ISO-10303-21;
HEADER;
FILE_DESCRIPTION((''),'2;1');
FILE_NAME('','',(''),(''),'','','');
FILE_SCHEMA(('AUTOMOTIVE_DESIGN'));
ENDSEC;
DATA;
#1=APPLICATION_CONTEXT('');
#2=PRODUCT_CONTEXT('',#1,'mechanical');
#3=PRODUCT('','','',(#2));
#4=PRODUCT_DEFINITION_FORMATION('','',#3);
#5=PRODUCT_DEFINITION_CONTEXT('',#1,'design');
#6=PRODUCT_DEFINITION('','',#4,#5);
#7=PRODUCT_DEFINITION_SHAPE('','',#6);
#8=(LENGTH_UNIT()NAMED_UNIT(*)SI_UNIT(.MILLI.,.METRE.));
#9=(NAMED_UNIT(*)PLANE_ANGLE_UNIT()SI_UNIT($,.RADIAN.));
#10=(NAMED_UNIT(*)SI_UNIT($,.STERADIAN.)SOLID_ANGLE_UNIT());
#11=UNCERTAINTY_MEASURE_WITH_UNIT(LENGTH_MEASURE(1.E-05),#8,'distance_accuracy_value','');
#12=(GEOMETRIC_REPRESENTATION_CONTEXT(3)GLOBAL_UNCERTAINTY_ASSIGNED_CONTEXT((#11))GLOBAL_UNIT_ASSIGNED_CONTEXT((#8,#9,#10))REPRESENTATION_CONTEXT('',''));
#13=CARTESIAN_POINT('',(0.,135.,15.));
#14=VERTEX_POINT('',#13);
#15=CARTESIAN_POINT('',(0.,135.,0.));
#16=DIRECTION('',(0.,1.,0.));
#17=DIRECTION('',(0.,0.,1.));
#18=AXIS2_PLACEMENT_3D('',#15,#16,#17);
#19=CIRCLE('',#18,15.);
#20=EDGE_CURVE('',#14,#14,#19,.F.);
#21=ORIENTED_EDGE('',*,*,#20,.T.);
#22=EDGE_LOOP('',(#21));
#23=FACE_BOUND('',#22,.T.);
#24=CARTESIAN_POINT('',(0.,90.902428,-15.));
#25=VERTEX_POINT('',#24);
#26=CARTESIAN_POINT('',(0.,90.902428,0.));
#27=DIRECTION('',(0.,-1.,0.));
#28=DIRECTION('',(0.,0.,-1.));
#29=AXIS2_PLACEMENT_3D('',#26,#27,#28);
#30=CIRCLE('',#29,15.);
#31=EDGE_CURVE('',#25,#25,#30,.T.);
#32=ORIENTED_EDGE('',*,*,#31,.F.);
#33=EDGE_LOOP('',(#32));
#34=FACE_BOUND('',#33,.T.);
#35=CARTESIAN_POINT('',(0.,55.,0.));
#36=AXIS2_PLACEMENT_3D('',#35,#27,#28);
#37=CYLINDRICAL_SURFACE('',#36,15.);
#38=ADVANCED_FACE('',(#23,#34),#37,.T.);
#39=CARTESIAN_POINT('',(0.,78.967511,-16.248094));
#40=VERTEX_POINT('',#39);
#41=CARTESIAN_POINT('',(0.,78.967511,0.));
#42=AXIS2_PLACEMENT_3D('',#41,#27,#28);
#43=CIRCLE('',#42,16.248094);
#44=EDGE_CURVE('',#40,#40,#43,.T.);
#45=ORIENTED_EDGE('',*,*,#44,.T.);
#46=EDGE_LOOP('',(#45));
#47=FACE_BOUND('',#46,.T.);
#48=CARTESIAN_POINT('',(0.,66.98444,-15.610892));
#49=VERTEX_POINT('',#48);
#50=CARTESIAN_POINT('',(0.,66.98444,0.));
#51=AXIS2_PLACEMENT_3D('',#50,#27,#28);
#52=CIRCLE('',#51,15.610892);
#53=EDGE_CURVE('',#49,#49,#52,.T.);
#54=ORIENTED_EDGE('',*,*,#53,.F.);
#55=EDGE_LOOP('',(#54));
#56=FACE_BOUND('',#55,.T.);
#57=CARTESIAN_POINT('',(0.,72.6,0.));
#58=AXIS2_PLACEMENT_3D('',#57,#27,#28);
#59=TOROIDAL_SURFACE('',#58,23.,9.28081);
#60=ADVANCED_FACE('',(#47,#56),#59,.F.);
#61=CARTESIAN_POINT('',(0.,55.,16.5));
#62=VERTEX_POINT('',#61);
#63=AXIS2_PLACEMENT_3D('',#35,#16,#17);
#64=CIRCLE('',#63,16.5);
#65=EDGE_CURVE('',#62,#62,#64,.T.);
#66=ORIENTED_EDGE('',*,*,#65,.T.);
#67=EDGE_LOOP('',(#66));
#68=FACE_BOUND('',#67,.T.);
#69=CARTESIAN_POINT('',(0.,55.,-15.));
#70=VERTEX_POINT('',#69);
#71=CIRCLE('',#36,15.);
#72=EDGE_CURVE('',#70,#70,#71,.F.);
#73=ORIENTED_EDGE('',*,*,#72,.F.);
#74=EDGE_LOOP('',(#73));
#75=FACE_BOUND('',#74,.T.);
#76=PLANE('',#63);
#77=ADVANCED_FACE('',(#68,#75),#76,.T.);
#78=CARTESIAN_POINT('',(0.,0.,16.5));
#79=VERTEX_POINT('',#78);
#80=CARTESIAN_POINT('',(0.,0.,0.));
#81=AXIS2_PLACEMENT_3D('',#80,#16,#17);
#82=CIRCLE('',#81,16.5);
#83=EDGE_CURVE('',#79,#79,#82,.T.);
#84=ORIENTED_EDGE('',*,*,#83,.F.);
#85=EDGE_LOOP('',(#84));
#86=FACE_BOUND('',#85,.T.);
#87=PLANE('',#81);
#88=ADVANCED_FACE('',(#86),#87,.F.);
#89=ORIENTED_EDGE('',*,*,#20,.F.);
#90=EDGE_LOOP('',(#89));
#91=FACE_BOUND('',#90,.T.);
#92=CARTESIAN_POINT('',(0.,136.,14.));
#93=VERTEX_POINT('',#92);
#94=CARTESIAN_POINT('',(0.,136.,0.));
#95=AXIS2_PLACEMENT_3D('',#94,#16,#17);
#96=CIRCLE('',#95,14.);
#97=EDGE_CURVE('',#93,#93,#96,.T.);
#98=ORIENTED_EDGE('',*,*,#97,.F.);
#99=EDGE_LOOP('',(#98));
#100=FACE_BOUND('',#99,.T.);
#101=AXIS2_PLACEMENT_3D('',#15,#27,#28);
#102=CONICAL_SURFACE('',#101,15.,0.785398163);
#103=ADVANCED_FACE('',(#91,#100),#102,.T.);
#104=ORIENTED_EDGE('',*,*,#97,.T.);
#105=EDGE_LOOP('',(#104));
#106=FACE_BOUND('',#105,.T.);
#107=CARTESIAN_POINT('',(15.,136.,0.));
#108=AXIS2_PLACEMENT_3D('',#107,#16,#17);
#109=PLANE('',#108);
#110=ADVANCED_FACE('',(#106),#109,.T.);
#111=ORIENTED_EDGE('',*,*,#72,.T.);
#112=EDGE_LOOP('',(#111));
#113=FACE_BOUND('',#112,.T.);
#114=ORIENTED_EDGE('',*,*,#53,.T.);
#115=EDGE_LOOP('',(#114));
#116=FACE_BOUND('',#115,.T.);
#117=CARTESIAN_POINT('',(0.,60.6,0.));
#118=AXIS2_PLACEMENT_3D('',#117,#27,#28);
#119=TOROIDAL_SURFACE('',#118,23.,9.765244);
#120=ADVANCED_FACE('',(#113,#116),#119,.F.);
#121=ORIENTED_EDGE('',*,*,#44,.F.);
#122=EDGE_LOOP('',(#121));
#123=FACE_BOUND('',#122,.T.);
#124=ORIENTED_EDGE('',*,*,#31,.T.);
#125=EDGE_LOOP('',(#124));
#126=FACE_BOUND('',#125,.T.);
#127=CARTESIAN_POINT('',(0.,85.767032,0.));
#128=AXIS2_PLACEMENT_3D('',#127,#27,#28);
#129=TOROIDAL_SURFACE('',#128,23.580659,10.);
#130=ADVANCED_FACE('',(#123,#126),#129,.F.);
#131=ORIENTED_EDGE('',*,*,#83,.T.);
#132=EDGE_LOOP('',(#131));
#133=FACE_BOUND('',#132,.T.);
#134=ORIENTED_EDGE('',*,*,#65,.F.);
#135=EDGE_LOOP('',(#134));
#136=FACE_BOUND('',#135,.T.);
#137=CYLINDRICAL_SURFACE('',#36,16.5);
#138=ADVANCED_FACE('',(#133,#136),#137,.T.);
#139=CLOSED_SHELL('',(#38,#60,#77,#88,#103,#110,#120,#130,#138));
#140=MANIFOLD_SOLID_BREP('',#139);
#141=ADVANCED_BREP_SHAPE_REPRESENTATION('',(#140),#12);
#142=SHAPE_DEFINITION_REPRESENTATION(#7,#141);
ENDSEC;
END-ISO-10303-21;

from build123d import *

# Parameters (mm, degrees)
ESQUISSE1_R        = 16.5
BOSS_EXTRU_1_DEPTH = 55
CHANFREIN1_SIZE    = 1


with BuildPart() as part:
    # Esquisse1 → Boss.-Extru.1 (new body)
    with BuildSketch(Plane(origin=(0, 0, 0), x_dir=(1, 0, 0), z_dir=(0, 1, 0))):
        with Locations(Location((0, 0, 0), (0, 0, 270))):  # turned: the seam where the file's is
            Circle(ESQUISSE1_R)
    extrude(amount=BOSS_EXTRU_1_DEPTH)

    # Esquisse4 → Révolution1 (revolve)
    with BuildSketch(Plane.XY, mode=Mode.PRIVATE) as r_volution1_sk:
        with BuildLine():
            Line((0, 55), (15, 55))
            ThreePointArc((15, 55), (13.247417463, 61.097125593), (15.610891732, 66.984440383))
            ThreePointArc((15.610891732, 66.984440383), (13.732283635, 73.092812528), (16.248093706, 78.967510676))
            ThreePointArc((16.248093706, 78.967510676), (13.634893892, 84.726953942), (15, 90.902428443))
            Line((15, 90.902428443), (15, 136))
            Line((15, 136), (0, 136))
            Line((0, 136), (0, 55))
        make_face()
    revolve(r_volution1_sk.sketch.rotate(Axis((0, 55, 0), (0, 1, 0)), 90), axis=Axis((0, 55, 0), (0, 1, 0)))  # turned: the seam where the file's is

    # Chanfrein1
    chanfrein1_edges = [part.edges().sort_by_distance(p)[0] for p in [
        (0, 136, 15),
    ]]
    chamfer(chanfrein1_edges, length=CHANFREIN1_SIZE)


solid = part.part
